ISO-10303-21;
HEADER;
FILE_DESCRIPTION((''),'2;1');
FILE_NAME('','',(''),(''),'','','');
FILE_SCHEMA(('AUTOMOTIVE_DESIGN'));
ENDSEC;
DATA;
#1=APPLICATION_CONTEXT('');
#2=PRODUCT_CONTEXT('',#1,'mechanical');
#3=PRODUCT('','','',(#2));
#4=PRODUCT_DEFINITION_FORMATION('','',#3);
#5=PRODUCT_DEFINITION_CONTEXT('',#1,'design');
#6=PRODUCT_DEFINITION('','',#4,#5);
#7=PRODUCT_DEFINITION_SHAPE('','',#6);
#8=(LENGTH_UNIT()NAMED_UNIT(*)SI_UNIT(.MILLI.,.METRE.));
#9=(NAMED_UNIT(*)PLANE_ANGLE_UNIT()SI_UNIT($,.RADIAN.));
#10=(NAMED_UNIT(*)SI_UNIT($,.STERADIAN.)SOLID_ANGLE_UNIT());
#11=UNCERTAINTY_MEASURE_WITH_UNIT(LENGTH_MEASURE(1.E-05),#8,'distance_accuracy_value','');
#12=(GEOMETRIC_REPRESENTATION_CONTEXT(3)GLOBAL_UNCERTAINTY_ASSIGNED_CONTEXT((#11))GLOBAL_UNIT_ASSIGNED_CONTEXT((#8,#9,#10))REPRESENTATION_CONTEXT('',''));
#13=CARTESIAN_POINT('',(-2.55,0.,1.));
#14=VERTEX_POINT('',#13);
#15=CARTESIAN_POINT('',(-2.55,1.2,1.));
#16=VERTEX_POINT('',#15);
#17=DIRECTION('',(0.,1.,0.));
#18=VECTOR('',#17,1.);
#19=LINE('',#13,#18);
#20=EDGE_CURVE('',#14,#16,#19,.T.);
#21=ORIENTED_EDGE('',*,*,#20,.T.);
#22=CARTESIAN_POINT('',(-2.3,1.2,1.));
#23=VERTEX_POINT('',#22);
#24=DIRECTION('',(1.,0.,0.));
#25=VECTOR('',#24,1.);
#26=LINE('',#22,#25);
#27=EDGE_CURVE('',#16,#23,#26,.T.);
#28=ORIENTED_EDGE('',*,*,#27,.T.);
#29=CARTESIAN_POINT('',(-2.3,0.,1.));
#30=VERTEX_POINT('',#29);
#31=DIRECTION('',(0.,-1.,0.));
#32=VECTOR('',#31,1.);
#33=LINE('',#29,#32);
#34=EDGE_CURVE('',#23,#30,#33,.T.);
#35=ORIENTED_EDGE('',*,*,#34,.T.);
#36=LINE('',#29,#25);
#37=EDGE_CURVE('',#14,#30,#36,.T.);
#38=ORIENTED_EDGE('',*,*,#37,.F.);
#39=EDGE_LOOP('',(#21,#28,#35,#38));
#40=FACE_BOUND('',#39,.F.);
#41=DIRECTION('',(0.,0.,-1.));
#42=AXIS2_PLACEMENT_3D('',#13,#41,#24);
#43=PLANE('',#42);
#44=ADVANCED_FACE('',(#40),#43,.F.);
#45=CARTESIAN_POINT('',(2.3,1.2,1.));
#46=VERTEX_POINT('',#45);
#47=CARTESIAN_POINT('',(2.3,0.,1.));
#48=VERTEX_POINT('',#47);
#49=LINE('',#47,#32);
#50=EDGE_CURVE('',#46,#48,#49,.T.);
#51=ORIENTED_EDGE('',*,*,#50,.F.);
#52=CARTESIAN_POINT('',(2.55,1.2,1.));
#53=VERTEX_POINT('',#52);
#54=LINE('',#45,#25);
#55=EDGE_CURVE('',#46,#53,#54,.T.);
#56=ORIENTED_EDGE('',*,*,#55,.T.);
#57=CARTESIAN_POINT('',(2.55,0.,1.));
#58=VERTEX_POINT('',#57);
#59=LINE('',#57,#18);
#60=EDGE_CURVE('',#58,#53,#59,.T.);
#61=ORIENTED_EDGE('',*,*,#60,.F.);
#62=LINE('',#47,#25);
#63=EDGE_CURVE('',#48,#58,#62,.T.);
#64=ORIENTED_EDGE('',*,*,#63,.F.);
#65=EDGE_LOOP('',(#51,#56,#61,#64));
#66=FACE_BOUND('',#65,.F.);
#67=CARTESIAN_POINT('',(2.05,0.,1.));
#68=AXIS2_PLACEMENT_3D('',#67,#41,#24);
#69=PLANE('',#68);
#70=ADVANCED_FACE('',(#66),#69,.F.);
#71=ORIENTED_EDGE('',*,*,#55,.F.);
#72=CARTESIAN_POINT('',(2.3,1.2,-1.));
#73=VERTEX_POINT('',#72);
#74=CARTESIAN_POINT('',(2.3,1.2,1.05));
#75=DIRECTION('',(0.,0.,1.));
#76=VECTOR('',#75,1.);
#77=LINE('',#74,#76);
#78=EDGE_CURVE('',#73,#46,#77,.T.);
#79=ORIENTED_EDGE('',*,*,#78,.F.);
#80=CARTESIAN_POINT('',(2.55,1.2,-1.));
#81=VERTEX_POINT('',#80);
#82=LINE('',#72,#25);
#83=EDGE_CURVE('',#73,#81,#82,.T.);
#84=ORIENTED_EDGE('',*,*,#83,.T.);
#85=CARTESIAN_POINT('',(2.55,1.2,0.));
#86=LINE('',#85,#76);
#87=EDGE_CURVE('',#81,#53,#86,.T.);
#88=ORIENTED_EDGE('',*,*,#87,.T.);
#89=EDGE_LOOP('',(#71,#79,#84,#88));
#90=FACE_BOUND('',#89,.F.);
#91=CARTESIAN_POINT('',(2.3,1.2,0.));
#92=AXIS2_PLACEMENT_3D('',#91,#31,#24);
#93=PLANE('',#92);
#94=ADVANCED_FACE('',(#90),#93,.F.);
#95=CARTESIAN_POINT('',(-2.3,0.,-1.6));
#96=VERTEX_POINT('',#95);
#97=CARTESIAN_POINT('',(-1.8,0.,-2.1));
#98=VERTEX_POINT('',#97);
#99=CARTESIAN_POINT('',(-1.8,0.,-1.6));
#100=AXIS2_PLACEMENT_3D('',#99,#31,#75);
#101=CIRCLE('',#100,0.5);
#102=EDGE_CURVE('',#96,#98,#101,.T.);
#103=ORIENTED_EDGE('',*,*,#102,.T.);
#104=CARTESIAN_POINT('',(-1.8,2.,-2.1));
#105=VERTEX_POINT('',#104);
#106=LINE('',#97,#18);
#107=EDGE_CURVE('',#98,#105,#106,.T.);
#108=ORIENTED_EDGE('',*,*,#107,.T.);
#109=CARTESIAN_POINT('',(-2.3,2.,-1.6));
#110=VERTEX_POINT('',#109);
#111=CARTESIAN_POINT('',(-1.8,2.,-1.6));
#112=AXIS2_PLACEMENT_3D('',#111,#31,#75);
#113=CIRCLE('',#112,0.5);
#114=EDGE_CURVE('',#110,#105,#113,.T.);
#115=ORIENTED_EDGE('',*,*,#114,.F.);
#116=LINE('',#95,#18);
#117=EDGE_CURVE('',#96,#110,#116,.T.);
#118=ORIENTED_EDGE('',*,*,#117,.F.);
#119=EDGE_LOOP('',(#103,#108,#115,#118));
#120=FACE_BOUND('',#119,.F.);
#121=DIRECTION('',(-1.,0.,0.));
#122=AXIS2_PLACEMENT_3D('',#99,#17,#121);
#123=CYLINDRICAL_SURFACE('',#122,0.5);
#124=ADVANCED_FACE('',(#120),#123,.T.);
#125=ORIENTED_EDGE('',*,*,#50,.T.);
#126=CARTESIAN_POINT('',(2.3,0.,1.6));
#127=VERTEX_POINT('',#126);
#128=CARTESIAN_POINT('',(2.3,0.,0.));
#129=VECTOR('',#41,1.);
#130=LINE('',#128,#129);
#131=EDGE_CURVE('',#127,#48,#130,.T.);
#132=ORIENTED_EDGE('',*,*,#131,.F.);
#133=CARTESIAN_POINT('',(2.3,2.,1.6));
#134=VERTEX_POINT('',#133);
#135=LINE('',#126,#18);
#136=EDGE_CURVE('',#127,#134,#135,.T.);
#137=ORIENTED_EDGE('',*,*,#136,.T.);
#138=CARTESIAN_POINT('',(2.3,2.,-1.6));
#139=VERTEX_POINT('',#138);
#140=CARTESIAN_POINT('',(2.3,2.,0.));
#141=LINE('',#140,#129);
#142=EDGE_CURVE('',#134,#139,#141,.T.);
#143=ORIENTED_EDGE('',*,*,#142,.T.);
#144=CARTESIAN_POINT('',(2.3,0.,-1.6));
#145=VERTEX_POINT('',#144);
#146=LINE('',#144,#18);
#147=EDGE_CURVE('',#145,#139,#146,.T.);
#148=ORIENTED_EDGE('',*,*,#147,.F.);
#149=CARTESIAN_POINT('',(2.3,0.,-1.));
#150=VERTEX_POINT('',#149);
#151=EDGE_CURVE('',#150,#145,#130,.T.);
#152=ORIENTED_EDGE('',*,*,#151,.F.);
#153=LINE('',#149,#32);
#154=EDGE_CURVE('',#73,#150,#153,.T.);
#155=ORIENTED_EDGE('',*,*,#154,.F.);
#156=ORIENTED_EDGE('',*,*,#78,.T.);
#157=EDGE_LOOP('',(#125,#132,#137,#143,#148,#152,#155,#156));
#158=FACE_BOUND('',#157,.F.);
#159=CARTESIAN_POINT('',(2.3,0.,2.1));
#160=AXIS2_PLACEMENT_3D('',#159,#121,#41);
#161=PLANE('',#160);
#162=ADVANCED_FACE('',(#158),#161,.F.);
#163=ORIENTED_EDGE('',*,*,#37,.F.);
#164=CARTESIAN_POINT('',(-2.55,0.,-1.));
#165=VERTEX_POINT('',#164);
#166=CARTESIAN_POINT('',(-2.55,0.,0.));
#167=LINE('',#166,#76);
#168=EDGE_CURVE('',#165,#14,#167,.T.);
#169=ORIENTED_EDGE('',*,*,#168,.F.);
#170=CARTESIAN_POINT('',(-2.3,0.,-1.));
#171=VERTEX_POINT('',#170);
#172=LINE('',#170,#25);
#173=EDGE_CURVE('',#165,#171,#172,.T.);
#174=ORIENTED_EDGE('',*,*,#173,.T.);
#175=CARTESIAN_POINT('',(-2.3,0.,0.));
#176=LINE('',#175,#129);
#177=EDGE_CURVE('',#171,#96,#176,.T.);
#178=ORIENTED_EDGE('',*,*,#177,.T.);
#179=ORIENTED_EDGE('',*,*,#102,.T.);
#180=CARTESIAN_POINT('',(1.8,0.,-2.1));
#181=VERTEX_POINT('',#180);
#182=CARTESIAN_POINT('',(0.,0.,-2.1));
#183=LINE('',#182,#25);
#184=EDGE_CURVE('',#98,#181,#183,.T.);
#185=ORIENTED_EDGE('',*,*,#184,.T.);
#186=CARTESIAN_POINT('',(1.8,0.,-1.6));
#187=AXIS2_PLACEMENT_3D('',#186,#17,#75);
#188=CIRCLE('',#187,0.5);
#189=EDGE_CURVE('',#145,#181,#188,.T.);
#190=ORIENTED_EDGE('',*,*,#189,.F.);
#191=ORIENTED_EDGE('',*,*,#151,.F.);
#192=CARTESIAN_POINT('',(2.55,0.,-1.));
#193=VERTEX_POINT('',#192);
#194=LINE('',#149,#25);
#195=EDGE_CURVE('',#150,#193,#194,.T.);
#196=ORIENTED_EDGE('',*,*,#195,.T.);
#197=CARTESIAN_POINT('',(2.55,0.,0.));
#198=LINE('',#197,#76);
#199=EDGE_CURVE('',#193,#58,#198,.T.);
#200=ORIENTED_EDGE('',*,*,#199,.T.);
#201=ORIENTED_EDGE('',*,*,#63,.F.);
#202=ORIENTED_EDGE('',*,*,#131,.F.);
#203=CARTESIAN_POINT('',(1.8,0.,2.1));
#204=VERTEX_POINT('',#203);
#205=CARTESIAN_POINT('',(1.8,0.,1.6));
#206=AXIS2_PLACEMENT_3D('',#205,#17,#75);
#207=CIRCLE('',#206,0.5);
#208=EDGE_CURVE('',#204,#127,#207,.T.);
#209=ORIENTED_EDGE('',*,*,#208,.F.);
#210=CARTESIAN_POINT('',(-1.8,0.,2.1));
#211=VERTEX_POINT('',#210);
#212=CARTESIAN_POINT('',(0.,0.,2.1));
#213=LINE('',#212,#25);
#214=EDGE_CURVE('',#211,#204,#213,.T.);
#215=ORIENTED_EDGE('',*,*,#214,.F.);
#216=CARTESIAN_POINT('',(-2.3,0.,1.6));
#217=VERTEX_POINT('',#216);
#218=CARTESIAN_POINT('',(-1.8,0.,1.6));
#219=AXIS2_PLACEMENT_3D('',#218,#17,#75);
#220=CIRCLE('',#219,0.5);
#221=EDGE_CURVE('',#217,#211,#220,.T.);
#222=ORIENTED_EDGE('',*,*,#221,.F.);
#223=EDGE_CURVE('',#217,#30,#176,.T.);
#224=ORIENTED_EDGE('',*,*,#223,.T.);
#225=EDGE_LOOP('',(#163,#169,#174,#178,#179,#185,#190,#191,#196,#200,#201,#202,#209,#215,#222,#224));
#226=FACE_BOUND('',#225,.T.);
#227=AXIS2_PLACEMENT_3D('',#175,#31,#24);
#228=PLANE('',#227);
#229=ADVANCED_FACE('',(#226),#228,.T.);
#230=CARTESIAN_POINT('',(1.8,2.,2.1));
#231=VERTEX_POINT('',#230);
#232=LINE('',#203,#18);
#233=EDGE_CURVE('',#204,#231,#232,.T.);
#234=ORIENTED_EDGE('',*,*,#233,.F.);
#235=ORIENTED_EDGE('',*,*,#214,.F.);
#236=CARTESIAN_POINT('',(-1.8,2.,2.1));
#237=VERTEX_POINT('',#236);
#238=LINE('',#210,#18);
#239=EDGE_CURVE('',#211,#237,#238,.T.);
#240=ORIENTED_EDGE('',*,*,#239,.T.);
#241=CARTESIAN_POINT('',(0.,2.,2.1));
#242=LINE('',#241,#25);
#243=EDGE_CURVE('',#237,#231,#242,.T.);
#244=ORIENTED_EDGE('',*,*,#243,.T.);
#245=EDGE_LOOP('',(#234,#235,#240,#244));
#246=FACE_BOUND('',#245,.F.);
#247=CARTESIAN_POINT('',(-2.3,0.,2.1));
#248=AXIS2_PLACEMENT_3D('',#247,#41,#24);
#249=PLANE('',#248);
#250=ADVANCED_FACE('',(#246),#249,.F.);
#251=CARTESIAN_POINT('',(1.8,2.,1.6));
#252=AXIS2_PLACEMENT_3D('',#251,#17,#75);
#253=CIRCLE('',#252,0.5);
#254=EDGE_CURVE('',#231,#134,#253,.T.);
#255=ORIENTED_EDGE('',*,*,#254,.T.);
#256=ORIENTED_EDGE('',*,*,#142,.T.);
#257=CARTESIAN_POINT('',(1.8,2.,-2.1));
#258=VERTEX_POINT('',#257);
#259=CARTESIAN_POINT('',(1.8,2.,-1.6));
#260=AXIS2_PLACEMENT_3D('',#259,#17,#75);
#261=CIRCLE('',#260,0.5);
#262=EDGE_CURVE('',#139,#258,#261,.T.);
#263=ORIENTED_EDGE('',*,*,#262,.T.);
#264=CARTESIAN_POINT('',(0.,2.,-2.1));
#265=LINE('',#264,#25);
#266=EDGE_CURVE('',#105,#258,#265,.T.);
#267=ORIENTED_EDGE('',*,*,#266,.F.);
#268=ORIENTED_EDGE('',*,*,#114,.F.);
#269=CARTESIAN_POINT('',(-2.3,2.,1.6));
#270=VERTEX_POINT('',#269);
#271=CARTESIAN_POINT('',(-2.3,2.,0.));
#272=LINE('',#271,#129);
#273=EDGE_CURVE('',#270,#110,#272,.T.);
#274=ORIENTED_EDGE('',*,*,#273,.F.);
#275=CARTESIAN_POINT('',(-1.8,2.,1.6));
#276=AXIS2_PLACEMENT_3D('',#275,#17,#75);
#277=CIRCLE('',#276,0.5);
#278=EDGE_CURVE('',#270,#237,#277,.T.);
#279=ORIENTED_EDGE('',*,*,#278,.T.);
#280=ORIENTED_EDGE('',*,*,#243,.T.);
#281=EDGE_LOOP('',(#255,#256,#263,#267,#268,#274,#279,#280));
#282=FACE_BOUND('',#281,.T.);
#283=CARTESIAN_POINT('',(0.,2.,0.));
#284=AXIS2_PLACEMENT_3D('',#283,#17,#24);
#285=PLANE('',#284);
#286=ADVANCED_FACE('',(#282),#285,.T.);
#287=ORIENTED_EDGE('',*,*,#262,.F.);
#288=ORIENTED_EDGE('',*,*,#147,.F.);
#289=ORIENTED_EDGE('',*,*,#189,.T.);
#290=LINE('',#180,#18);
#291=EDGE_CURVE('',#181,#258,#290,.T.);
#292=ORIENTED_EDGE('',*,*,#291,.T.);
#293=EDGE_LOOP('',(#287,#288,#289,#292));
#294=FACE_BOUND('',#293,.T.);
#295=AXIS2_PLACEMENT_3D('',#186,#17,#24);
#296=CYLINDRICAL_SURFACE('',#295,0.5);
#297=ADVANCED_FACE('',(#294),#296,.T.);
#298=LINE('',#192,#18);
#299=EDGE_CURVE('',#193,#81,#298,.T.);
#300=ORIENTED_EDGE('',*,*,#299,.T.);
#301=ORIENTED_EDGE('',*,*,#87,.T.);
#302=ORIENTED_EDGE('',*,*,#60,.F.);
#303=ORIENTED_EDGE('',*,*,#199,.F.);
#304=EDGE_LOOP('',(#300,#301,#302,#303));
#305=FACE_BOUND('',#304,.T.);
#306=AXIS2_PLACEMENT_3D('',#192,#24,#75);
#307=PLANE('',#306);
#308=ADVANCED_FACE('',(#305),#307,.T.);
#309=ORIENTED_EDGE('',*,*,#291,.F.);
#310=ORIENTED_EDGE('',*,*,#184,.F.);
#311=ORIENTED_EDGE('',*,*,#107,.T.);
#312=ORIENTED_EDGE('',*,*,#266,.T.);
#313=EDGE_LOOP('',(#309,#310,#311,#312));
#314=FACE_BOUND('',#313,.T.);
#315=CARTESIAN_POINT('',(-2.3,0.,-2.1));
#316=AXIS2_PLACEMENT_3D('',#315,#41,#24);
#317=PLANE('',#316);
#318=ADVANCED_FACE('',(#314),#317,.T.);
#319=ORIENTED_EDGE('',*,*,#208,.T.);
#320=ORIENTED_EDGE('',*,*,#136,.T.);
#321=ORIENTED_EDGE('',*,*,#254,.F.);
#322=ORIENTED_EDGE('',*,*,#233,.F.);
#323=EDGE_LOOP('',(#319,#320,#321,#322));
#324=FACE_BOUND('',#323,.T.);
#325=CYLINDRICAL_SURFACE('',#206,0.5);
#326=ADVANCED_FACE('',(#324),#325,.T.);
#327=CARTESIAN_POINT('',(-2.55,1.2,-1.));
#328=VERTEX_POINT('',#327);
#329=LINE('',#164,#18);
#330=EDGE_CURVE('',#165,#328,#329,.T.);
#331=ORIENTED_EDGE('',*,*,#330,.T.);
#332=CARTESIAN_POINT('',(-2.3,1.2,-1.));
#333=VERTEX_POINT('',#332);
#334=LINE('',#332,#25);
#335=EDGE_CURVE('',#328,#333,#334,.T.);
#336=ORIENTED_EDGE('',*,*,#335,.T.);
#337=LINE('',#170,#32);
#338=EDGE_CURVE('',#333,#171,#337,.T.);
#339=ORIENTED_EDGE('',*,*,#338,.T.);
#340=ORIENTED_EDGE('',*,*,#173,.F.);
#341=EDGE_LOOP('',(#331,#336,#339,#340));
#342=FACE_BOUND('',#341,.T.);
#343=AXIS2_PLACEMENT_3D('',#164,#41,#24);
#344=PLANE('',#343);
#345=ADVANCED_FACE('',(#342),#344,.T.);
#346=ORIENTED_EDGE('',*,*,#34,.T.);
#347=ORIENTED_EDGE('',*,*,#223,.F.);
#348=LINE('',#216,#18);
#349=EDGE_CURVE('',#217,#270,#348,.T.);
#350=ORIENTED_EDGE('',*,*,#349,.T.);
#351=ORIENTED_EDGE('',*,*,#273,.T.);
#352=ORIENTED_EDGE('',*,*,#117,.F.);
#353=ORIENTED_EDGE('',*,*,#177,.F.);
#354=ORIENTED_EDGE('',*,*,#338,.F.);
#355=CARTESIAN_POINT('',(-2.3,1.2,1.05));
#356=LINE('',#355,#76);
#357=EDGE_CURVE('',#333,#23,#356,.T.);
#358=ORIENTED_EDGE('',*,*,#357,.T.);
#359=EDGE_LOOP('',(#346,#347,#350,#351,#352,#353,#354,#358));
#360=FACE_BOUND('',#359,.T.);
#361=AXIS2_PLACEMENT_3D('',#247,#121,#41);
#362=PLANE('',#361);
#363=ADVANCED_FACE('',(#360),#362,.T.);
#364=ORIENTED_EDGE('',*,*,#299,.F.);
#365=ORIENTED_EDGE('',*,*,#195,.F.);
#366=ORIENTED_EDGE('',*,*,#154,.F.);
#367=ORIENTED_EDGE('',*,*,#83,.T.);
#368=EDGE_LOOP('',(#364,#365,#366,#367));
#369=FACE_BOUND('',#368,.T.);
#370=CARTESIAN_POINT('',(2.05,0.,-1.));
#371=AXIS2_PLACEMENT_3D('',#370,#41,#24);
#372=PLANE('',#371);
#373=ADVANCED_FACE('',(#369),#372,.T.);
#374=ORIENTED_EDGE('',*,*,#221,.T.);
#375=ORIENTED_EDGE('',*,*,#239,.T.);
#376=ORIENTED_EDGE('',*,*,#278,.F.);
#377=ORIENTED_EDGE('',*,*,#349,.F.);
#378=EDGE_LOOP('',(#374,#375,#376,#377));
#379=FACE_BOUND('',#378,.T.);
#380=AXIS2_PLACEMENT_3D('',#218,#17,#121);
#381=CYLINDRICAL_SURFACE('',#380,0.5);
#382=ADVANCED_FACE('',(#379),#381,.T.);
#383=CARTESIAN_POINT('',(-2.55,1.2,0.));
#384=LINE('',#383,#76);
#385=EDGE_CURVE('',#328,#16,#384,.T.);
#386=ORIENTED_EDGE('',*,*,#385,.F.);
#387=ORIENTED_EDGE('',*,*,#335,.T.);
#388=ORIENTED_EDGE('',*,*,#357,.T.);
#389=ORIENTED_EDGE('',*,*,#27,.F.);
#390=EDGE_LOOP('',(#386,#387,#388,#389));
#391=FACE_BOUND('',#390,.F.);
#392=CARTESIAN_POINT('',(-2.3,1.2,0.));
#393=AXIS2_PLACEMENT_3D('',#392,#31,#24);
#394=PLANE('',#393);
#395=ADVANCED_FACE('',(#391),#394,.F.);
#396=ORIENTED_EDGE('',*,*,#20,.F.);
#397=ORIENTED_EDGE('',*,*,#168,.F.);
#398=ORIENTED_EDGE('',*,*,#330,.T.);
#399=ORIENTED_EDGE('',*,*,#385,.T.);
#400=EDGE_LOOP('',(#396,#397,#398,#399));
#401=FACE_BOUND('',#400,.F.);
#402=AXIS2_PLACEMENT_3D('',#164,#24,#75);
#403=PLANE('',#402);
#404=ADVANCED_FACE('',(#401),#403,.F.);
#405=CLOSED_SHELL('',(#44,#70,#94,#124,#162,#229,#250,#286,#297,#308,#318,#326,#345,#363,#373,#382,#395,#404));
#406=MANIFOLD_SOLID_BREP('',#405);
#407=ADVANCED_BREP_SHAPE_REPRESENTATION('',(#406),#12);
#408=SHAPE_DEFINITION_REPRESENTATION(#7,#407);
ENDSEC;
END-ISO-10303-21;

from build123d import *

# Parameters (mm, degrees)
SKETCH_1_W      = 4.6
SKETCH_1_H      = 4.2
EXTRUDE_1_DEPTH = 2
FILLET_1_R      = 0.5
SKETCH_2_W      = 0.5
SKETCH_2_H      = 2
EXTRUDE_2_DEPTH = 1.2


with BuildPart() as part:
    # 草图1 → 凸台-拉伸1 (new body)
    with BuildSketch(Plane(origin=(0, 0, 0), x_dir=(1, 0, 0), z_dir=(0, 1, 0))):
        Rectangle(SKETCH_1_W, SKETCH_1_H)
    extrude(amount=EXTRUDE_1_DEPTH)

    # 圆角1
    fillet_1_edges = [part.edges().sort_by_distance(p)[0] for p in [
        (2.3, 1, 2.1),
        (-2.3, 1, 2.1),
        (-2.3, 1, -2.1),
        (2.3, 1, -2.1),
    ]]
    fillet(fillet_1_edges, radius=FILLET_1_R)

    # 草图2 → 凸台-拉伸2 (add)
    with BuildSketch(Plane.XZ):
        with Locations((-2.3, 0)):
            Rectangle(SKETCH_2_W, SKETCH_2_H)
        with Locations((2.3, 0)):
            Rectangle(SKETCH_2_W, SKETCH_2_H)
    extrude(amount=-EXTRUDE_2_DEPTH)


solid = part.part
